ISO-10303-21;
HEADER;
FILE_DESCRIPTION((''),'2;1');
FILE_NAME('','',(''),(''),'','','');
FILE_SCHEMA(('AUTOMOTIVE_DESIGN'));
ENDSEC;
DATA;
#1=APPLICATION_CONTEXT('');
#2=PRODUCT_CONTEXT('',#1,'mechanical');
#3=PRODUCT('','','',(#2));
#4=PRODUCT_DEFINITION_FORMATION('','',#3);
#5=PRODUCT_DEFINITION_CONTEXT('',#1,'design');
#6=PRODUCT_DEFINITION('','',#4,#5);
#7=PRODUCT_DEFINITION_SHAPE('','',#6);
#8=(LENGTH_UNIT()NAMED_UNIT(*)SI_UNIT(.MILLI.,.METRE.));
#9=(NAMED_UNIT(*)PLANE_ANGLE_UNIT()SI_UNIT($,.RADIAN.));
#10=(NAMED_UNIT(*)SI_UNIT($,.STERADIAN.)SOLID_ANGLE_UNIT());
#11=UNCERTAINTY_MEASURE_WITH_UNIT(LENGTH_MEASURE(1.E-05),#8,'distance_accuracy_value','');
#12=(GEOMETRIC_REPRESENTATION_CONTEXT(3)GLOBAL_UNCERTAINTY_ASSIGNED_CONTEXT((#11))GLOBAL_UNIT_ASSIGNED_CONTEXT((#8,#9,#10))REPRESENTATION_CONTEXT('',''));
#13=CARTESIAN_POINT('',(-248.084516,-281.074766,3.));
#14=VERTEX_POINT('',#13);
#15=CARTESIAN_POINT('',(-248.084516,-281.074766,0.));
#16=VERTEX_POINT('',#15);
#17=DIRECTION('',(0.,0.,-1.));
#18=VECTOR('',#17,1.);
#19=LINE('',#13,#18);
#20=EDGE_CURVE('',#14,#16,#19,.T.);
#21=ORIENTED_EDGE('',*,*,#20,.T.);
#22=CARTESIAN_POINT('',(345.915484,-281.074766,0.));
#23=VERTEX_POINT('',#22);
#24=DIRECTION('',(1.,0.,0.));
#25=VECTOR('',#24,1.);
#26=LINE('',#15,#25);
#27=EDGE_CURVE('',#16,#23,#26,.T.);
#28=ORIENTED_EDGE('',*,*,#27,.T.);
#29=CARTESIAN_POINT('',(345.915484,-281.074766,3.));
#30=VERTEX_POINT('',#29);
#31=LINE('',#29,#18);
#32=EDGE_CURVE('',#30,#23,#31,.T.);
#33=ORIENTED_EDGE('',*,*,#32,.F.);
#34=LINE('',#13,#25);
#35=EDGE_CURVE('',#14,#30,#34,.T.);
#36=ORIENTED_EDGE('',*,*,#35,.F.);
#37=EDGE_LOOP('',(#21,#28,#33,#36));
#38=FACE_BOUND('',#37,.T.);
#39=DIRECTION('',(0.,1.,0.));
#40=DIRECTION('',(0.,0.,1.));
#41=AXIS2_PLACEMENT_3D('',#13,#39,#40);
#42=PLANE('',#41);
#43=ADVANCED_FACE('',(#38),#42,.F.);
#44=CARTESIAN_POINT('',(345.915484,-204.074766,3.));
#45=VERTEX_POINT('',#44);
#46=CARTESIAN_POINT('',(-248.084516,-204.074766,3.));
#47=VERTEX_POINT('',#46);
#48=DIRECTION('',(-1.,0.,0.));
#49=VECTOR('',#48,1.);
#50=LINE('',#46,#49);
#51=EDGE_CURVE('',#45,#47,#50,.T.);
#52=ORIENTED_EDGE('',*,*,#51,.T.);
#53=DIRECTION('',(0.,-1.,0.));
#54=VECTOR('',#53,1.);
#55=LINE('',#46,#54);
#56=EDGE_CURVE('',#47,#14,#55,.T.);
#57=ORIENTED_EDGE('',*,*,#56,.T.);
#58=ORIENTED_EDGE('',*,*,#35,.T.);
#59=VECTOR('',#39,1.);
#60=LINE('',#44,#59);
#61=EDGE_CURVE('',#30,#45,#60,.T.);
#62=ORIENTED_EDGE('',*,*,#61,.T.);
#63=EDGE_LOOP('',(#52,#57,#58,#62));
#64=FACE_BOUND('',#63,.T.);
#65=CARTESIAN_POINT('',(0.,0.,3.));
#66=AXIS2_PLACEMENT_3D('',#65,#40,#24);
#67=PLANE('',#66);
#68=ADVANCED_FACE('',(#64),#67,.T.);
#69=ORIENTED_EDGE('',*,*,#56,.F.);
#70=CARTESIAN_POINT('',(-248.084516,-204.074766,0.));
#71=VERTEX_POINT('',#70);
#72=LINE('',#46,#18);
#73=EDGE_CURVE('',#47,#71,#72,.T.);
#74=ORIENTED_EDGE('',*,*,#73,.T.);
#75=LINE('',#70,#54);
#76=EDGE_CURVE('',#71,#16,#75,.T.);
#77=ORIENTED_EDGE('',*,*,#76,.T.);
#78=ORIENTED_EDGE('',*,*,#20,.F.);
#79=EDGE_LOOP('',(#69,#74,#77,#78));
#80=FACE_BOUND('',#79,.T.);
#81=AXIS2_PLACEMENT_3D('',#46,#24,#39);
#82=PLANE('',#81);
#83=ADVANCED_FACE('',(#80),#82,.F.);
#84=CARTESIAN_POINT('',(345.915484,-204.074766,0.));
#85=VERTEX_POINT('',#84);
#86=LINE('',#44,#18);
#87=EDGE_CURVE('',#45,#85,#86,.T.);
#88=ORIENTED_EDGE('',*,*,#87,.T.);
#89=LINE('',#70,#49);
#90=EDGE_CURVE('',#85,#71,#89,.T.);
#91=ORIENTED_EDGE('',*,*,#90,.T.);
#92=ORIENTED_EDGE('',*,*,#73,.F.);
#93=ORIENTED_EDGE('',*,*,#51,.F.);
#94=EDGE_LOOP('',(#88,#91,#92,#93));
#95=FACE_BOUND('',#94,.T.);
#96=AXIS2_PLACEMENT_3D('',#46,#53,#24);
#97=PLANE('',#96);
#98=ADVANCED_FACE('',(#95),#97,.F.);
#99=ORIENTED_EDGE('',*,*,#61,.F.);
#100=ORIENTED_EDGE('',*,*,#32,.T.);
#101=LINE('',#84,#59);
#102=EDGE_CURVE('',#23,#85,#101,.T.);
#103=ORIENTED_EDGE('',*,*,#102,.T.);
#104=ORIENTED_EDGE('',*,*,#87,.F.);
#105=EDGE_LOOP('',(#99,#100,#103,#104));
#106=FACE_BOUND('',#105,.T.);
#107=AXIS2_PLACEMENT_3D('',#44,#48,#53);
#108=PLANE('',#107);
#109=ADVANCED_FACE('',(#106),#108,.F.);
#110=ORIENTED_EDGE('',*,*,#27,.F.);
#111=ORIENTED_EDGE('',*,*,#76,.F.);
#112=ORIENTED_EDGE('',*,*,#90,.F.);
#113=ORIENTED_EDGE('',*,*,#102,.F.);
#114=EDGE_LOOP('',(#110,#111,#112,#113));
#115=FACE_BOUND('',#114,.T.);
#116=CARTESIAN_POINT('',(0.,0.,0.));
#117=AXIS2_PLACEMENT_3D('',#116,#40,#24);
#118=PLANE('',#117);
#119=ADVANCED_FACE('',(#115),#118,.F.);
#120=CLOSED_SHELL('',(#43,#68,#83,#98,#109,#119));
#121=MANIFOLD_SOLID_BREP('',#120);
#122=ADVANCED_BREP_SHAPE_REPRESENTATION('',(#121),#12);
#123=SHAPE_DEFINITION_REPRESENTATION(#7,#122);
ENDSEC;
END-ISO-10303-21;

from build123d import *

# Parameters (mm, degrees)
SZKIC1_W                    = 594
SZKIC1_H                    = 77
DODANIE_WYCI_GNI_CIE1_DEPTH = 3


with BuildPart() as part:
    # Szkic1 → Dodanie-wyciągnięcie1 (new body)
    with BuildSketch(Plane.XY):
        with Locations((48.915484212, -242.574766355)):
            Rectangle(SZKIC1_W, SZKIC1_H)
    extrude(amount=DODANIE_WYCI_GNI_CIE1_DEPTH)


solid = part.part
